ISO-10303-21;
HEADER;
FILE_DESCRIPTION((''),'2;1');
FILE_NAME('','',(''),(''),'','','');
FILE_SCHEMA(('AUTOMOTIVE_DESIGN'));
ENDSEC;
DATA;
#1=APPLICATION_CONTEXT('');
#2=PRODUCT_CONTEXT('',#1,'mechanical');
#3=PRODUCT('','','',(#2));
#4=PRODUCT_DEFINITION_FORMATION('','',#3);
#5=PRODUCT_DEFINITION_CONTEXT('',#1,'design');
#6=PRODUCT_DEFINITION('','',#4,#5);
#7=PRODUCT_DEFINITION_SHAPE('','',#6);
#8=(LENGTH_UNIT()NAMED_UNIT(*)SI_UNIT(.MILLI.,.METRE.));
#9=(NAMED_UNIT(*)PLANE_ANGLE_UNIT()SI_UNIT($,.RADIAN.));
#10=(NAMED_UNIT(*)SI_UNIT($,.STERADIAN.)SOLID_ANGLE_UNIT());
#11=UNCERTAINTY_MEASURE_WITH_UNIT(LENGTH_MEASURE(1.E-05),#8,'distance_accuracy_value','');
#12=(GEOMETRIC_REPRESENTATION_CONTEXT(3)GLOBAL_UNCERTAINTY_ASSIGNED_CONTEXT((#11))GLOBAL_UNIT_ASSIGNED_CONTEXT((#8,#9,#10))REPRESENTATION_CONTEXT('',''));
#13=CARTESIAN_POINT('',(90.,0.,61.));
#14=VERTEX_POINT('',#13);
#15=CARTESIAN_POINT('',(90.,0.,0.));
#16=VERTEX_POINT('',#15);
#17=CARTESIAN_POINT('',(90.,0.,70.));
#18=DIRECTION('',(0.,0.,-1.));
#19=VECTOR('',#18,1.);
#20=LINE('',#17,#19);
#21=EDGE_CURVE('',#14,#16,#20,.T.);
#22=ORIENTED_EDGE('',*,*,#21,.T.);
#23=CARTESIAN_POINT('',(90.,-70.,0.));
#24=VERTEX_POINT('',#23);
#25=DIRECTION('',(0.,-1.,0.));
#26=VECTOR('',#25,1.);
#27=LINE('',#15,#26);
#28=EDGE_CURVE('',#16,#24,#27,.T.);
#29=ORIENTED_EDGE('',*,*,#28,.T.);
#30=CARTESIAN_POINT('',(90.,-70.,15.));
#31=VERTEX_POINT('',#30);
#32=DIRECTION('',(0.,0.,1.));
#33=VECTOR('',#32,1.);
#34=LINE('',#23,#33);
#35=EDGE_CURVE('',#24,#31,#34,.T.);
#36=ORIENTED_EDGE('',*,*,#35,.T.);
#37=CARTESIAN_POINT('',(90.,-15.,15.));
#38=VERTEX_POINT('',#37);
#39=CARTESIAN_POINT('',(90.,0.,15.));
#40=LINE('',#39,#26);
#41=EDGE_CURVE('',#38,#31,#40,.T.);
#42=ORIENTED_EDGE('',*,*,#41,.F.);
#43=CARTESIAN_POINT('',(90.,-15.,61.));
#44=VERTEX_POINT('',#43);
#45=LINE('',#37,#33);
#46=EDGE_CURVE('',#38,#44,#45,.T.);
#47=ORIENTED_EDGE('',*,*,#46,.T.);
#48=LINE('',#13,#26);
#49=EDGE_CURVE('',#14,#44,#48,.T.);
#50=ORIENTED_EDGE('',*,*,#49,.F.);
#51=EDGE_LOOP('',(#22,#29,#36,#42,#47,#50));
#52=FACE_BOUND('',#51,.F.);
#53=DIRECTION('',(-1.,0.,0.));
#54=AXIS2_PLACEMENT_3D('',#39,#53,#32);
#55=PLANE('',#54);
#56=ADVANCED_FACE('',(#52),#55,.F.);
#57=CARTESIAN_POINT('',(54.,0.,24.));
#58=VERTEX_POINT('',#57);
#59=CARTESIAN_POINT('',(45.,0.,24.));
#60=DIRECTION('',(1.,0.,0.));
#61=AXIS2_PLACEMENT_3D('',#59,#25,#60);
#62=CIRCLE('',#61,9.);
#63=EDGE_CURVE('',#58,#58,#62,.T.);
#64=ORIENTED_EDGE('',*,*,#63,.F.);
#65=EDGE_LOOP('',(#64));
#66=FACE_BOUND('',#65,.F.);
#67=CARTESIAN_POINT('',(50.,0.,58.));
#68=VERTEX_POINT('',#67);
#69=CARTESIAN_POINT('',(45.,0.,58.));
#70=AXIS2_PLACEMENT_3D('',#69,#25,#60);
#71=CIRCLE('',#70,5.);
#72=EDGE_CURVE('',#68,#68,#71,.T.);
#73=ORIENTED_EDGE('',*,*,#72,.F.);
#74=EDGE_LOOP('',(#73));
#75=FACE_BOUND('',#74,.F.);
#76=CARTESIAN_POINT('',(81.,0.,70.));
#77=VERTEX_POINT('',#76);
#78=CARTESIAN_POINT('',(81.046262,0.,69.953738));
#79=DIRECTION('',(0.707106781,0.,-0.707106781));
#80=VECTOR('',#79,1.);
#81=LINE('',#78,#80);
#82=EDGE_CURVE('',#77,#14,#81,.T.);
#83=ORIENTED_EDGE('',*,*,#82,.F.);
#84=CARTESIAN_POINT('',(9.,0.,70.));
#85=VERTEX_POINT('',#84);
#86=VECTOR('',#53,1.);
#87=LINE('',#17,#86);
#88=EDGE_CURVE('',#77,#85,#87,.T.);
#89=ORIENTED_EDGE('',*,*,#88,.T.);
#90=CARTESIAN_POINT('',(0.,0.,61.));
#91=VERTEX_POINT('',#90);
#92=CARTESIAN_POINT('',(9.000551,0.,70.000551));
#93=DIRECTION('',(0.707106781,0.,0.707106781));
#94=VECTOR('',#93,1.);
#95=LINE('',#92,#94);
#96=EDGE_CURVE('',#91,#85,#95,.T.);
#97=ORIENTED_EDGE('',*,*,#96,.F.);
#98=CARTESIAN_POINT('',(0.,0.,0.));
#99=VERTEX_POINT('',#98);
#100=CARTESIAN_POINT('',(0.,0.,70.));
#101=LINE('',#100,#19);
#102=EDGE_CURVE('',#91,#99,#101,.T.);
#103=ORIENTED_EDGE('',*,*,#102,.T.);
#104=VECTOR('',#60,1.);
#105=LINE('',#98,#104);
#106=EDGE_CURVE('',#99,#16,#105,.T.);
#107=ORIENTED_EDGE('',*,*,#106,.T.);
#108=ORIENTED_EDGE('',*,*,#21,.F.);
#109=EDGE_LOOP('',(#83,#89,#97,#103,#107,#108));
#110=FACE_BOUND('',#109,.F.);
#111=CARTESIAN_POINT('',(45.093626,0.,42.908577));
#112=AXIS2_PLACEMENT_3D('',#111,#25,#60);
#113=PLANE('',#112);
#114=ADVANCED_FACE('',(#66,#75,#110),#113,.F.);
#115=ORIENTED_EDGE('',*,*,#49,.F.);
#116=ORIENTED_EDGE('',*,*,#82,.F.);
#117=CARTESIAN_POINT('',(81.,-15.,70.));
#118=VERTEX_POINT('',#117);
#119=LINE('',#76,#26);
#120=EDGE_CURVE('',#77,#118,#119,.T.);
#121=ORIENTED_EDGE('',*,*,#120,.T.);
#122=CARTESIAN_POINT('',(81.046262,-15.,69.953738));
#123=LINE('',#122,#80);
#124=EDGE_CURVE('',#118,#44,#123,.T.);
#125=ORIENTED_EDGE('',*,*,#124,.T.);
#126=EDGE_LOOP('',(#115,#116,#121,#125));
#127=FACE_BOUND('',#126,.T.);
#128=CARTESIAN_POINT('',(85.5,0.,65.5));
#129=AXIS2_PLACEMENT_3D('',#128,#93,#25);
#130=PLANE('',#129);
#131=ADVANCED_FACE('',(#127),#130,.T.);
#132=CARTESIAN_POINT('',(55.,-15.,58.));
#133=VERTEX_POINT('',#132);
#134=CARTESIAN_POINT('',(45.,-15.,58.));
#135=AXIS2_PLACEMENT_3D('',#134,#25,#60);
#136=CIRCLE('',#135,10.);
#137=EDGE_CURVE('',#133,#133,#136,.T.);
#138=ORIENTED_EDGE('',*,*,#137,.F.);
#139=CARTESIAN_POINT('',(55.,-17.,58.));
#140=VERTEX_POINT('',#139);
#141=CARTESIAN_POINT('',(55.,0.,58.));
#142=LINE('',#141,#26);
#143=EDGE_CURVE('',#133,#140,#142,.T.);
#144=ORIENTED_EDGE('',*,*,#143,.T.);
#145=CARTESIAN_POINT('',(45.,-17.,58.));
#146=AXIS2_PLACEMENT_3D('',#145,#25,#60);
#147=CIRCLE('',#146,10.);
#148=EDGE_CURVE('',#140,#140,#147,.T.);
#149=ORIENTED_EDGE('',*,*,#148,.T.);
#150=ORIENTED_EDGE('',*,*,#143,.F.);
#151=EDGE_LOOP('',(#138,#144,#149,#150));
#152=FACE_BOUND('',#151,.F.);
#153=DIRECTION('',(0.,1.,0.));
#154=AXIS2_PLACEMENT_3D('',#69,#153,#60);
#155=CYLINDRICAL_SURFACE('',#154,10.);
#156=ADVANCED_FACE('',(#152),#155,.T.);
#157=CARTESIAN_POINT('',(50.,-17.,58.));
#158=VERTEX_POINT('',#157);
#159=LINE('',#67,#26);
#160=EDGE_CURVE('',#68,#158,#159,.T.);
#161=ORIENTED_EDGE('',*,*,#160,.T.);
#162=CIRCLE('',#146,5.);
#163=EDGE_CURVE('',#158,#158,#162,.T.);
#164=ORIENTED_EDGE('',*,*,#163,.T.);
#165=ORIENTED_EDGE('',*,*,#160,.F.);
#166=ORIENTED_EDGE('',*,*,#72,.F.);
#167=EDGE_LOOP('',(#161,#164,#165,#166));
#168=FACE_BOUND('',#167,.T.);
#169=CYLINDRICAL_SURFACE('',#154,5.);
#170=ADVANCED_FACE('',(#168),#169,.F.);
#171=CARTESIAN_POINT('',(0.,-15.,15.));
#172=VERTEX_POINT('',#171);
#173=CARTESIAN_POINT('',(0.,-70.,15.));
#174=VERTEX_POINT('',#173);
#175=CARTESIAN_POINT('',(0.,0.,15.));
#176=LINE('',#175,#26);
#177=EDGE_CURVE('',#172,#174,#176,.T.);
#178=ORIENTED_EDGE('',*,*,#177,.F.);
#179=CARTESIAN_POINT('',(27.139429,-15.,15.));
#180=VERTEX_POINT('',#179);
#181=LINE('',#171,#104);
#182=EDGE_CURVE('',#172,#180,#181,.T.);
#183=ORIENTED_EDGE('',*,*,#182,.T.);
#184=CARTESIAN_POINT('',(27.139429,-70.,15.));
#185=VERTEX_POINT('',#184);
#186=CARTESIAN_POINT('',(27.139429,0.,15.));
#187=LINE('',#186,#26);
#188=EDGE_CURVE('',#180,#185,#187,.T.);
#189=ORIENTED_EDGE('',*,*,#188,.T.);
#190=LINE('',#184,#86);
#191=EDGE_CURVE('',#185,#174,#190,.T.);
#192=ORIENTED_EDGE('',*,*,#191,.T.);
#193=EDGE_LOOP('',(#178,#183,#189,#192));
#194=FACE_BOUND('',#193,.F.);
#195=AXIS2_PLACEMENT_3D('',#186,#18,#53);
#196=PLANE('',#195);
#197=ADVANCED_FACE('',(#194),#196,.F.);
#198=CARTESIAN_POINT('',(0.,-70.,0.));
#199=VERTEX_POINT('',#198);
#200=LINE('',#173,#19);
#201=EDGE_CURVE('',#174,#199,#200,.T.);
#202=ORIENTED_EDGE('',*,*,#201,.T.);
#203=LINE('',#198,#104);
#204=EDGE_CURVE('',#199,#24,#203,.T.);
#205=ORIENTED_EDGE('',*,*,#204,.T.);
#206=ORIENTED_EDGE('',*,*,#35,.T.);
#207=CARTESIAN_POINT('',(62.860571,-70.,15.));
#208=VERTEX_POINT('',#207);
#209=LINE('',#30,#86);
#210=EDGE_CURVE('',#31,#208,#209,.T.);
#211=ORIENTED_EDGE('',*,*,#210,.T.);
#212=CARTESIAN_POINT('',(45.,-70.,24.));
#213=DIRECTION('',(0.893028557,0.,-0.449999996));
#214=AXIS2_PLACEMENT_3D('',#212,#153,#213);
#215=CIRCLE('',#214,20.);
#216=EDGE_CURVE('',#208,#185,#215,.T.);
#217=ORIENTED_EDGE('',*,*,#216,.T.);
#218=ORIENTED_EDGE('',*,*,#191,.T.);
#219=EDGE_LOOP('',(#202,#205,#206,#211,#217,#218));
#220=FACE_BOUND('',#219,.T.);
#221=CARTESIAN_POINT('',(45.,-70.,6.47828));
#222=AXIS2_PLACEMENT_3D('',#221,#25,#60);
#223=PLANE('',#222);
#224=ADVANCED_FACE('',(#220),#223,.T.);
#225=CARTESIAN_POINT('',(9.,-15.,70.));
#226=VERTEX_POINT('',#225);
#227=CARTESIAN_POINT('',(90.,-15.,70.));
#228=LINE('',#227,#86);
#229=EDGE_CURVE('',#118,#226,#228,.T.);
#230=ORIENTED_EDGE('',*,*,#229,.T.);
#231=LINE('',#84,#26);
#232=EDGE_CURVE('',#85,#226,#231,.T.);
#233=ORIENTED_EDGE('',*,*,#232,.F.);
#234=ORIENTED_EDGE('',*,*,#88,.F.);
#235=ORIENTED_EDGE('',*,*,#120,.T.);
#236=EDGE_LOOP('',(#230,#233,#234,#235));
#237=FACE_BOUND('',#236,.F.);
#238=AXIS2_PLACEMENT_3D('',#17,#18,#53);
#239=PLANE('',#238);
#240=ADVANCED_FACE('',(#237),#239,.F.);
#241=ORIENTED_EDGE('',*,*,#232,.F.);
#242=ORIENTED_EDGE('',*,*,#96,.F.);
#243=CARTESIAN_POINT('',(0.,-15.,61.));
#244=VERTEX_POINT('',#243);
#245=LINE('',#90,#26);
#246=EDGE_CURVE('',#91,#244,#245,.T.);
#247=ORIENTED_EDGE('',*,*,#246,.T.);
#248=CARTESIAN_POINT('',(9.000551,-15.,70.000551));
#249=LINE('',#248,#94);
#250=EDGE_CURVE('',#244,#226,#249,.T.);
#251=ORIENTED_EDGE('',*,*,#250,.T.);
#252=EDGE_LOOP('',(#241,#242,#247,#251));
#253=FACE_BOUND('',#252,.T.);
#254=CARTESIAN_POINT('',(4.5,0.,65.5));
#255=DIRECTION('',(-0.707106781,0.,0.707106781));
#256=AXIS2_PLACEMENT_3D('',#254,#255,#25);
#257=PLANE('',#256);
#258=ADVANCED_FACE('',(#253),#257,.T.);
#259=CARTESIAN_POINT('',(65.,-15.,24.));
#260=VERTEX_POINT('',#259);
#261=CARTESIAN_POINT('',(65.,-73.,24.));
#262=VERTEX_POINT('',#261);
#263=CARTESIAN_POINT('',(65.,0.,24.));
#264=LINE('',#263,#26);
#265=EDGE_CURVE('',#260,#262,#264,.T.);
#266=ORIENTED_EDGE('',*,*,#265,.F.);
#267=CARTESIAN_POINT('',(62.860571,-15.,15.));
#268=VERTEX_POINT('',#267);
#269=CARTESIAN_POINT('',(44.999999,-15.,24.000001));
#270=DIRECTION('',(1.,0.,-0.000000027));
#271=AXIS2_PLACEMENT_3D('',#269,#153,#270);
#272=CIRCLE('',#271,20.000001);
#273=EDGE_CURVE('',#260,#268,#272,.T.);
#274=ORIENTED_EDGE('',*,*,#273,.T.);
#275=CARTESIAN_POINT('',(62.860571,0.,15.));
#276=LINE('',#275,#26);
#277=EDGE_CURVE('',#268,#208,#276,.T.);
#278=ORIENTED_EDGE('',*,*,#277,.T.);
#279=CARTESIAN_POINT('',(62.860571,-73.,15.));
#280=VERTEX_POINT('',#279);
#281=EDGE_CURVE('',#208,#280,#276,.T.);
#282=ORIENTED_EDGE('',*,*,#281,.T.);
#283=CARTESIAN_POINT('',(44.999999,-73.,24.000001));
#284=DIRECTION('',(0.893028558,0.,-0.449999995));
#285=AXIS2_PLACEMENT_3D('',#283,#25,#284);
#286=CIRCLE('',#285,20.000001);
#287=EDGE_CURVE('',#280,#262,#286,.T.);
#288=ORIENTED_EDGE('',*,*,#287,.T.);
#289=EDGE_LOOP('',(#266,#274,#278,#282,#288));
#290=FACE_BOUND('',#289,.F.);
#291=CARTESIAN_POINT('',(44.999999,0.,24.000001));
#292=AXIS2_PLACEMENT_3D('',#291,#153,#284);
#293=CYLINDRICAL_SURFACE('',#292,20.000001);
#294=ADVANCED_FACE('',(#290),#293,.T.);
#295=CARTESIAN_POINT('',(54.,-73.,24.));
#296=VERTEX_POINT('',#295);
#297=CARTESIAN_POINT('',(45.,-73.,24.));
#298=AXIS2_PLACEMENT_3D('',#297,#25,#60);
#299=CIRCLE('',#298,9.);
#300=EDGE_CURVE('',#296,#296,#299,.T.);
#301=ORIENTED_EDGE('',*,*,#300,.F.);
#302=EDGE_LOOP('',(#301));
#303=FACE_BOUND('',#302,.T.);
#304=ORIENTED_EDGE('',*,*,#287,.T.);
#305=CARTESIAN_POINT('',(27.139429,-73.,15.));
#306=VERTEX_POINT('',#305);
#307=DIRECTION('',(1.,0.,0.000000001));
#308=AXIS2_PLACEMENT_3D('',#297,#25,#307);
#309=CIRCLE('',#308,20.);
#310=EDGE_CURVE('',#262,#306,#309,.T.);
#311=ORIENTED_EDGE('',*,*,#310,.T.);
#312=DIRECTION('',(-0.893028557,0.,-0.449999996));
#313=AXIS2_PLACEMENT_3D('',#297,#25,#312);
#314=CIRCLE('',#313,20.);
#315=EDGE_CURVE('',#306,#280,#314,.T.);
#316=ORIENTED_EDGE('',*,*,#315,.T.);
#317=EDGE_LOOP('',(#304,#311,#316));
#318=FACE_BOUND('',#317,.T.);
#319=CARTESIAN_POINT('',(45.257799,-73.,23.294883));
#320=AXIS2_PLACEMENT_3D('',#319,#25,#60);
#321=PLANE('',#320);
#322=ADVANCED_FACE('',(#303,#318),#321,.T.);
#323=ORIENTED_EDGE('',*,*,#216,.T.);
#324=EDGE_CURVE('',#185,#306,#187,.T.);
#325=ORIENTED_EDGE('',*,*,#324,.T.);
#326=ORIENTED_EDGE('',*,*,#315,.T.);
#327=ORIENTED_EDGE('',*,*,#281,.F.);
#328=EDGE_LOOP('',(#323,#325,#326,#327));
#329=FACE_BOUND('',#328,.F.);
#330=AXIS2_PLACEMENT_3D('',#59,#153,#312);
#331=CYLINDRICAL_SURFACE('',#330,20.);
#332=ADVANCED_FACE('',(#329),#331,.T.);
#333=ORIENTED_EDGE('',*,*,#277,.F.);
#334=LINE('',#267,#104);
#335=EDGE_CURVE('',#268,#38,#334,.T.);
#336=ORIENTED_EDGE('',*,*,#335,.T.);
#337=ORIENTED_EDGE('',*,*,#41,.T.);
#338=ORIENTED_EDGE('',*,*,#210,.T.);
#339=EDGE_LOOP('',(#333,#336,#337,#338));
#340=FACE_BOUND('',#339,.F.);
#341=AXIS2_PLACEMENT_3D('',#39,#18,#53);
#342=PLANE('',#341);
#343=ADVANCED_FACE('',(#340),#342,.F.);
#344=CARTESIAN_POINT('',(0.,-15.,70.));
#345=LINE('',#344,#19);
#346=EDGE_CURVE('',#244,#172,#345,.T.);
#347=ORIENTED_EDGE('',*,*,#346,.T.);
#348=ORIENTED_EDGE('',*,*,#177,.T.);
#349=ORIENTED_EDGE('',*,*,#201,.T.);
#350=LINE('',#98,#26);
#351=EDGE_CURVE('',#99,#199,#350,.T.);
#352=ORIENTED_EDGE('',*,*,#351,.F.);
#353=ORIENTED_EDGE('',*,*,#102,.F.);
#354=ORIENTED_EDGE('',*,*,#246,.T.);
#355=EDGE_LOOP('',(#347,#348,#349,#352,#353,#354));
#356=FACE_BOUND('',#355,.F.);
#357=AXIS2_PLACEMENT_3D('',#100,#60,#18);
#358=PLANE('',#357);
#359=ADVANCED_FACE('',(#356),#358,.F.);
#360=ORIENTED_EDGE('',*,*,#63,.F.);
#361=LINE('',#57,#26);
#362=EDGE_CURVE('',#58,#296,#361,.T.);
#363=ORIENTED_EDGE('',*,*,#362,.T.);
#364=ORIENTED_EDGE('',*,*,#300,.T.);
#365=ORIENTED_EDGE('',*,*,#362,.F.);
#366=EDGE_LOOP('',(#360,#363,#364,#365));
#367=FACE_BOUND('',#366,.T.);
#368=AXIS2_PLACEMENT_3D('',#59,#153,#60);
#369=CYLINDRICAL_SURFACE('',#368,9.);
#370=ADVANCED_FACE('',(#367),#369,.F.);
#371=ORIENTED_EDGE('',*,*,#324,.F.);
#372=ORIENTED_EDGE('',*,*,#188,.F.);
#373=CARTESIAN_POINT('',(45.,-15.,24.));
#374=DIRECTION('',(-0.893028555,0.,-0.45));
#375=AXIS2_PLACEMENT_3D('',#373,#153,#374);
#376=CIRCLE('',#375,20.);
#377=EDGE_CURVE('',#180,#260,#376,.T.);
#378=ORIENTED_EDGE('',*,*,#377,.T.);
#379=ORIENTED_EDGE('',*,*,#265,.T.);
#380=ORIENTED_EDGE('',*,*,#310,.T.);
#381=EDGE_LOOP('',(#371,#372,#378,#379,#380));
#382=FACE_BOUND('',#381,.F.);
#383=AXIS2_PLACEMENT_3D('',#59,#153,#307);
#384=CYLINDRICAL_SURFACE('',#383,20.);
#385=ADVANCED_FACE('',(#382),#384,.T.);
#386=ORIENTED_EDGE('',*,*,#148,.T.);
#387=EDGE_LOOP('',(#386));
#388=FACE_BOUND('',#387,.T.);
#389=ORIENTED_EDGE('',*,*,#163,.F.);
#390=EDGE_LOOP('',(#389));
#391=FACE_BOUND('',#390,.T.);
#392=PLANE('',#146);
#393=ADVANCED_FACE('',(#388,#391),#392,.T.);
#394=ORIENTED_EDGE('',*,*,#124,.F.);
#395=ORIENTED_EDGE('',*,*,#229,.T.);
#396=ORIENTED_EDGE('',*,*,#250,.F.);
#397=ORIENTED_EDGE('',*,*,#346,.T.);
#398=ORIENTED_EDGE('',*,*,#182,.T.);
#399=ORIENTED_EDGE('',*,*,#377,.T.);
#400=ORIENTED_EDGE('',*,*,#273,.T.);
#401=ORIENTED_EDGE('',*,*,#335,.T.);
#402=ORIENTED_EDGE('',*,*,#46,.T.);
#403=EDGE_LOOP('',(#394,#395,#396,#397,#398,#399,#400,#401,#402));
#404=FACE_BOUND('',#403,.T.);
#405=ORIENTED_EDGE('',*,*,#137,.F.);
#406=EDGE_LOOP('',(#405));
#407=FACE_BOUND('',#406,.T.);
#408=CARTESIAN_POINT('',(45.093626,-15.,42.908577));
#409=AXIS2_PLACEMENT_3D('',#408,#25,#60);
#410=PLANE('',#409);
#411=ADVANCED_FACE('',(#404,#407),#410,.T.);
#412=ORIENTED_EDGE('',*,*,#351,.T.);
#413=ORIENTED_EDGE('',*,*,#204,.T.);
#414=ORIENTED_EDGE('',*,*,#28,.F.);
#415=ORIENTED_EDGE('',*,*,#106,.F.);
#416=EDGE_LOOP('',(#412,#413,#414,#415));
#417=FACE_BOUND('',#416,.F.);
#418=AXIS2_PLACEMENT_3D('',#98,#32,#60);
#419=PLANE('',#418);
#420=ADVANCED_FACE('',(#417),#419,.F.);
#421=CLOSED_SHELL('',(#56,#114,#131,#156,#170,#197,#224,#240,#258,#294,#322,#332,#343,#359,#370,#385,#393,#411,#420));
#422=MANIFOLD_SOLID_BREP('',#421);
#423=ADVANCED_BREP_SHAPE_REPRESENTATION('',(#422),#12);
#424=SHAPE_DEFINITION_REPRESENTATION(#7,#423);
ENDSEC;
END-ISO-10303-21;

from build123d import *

# Parameters (mm, degrees)
F1_DEPTH = 70
F0_R     = 9
F2_DEPTH = 73
F0_R_2   = 10
F3_DEPTH = 15
F0_R_3   = 5
F4_DEPTH = 17
F5_SIZE2 = 9
F5_SIZE  = 9


with BuildPart() as f1:
    # F0 (on Front) → F1 (new body)
    with BuildSketch(Plane.XZ):
        with BuildLine():
            Line((0, 15), (0, 0))
            Line((0, 0), (90, 0))
            Line((90, 0), (90, 15))
            Line((90, 15), (62.860571, 15))
            ThreePointArc((62.860571, 15), (45, 4), (27.139429, 15))
            Line((27.139429, 15), (0, 15))
        make_face()
    extrude(amount=F1_DEPTH)

    # F0 (on Front) → F2 (join)
    with BuildSketch(Plane.XZ):
        with BuildLine():
            ThreePointArc((65, 24), (40.374604, 43.457793), (27.139429, 15))
            ThreePointArc((27.139429, 15), (45, 4), (62.860571, 15))
            ThreePointArc((62.860571, 15), (64.457793, 19.374604), (65, 24))
        make_face()
        with Locations((45, 24)):
            Circle(F0_R, mode=Mode.SUBTRACT)
    extrude(amount=F2_DEPTH)

    # F0 (on Front) → F3 (join)
    with BuildSketch(Plane.XZ):
        with BuildLine():
            Line((0, 70), (0, 15))
            Line((0, 15), (27.139429, 15))
            ThreePointArc((27.139429, 15), (40.374604, 43.457793), (65, 24))
            ThreePointArc((65, 24), (64.457793, 19.374604), (62.860571, 15))
            Line((62.860571, 15), (90, 15))
            Line((90, 15), (90, 70))
            Line((90, 70), (0, 70))
        make_face()
        with Locations((45, 58)):
            Circle(F0_R_2, mode=Mode.SUBTRACT)
    extrude(amount=F3_DEPTH)

    # F0 (on Front) → F4 (join)
    with BuildSketch(Plane.XZ):
        with Locations((45, 58)):
            Circle(F0_R_2)
        with Locations((45, 58)):
            Circle(F0_R_3, mode=Mode.SUBTRACT)
    extrude(amount=F4_DEPTH)

    # F5
    f5_edges = [f1.edges().sort_by_distance(p)[0] for p in [
        (0, -7.5, 70),
        (90, -7.5, 70),
    ]]
    chamfer(f5_edges, length=F5_SIZE, length2=F5_SIZE2)


solid = f1.part
